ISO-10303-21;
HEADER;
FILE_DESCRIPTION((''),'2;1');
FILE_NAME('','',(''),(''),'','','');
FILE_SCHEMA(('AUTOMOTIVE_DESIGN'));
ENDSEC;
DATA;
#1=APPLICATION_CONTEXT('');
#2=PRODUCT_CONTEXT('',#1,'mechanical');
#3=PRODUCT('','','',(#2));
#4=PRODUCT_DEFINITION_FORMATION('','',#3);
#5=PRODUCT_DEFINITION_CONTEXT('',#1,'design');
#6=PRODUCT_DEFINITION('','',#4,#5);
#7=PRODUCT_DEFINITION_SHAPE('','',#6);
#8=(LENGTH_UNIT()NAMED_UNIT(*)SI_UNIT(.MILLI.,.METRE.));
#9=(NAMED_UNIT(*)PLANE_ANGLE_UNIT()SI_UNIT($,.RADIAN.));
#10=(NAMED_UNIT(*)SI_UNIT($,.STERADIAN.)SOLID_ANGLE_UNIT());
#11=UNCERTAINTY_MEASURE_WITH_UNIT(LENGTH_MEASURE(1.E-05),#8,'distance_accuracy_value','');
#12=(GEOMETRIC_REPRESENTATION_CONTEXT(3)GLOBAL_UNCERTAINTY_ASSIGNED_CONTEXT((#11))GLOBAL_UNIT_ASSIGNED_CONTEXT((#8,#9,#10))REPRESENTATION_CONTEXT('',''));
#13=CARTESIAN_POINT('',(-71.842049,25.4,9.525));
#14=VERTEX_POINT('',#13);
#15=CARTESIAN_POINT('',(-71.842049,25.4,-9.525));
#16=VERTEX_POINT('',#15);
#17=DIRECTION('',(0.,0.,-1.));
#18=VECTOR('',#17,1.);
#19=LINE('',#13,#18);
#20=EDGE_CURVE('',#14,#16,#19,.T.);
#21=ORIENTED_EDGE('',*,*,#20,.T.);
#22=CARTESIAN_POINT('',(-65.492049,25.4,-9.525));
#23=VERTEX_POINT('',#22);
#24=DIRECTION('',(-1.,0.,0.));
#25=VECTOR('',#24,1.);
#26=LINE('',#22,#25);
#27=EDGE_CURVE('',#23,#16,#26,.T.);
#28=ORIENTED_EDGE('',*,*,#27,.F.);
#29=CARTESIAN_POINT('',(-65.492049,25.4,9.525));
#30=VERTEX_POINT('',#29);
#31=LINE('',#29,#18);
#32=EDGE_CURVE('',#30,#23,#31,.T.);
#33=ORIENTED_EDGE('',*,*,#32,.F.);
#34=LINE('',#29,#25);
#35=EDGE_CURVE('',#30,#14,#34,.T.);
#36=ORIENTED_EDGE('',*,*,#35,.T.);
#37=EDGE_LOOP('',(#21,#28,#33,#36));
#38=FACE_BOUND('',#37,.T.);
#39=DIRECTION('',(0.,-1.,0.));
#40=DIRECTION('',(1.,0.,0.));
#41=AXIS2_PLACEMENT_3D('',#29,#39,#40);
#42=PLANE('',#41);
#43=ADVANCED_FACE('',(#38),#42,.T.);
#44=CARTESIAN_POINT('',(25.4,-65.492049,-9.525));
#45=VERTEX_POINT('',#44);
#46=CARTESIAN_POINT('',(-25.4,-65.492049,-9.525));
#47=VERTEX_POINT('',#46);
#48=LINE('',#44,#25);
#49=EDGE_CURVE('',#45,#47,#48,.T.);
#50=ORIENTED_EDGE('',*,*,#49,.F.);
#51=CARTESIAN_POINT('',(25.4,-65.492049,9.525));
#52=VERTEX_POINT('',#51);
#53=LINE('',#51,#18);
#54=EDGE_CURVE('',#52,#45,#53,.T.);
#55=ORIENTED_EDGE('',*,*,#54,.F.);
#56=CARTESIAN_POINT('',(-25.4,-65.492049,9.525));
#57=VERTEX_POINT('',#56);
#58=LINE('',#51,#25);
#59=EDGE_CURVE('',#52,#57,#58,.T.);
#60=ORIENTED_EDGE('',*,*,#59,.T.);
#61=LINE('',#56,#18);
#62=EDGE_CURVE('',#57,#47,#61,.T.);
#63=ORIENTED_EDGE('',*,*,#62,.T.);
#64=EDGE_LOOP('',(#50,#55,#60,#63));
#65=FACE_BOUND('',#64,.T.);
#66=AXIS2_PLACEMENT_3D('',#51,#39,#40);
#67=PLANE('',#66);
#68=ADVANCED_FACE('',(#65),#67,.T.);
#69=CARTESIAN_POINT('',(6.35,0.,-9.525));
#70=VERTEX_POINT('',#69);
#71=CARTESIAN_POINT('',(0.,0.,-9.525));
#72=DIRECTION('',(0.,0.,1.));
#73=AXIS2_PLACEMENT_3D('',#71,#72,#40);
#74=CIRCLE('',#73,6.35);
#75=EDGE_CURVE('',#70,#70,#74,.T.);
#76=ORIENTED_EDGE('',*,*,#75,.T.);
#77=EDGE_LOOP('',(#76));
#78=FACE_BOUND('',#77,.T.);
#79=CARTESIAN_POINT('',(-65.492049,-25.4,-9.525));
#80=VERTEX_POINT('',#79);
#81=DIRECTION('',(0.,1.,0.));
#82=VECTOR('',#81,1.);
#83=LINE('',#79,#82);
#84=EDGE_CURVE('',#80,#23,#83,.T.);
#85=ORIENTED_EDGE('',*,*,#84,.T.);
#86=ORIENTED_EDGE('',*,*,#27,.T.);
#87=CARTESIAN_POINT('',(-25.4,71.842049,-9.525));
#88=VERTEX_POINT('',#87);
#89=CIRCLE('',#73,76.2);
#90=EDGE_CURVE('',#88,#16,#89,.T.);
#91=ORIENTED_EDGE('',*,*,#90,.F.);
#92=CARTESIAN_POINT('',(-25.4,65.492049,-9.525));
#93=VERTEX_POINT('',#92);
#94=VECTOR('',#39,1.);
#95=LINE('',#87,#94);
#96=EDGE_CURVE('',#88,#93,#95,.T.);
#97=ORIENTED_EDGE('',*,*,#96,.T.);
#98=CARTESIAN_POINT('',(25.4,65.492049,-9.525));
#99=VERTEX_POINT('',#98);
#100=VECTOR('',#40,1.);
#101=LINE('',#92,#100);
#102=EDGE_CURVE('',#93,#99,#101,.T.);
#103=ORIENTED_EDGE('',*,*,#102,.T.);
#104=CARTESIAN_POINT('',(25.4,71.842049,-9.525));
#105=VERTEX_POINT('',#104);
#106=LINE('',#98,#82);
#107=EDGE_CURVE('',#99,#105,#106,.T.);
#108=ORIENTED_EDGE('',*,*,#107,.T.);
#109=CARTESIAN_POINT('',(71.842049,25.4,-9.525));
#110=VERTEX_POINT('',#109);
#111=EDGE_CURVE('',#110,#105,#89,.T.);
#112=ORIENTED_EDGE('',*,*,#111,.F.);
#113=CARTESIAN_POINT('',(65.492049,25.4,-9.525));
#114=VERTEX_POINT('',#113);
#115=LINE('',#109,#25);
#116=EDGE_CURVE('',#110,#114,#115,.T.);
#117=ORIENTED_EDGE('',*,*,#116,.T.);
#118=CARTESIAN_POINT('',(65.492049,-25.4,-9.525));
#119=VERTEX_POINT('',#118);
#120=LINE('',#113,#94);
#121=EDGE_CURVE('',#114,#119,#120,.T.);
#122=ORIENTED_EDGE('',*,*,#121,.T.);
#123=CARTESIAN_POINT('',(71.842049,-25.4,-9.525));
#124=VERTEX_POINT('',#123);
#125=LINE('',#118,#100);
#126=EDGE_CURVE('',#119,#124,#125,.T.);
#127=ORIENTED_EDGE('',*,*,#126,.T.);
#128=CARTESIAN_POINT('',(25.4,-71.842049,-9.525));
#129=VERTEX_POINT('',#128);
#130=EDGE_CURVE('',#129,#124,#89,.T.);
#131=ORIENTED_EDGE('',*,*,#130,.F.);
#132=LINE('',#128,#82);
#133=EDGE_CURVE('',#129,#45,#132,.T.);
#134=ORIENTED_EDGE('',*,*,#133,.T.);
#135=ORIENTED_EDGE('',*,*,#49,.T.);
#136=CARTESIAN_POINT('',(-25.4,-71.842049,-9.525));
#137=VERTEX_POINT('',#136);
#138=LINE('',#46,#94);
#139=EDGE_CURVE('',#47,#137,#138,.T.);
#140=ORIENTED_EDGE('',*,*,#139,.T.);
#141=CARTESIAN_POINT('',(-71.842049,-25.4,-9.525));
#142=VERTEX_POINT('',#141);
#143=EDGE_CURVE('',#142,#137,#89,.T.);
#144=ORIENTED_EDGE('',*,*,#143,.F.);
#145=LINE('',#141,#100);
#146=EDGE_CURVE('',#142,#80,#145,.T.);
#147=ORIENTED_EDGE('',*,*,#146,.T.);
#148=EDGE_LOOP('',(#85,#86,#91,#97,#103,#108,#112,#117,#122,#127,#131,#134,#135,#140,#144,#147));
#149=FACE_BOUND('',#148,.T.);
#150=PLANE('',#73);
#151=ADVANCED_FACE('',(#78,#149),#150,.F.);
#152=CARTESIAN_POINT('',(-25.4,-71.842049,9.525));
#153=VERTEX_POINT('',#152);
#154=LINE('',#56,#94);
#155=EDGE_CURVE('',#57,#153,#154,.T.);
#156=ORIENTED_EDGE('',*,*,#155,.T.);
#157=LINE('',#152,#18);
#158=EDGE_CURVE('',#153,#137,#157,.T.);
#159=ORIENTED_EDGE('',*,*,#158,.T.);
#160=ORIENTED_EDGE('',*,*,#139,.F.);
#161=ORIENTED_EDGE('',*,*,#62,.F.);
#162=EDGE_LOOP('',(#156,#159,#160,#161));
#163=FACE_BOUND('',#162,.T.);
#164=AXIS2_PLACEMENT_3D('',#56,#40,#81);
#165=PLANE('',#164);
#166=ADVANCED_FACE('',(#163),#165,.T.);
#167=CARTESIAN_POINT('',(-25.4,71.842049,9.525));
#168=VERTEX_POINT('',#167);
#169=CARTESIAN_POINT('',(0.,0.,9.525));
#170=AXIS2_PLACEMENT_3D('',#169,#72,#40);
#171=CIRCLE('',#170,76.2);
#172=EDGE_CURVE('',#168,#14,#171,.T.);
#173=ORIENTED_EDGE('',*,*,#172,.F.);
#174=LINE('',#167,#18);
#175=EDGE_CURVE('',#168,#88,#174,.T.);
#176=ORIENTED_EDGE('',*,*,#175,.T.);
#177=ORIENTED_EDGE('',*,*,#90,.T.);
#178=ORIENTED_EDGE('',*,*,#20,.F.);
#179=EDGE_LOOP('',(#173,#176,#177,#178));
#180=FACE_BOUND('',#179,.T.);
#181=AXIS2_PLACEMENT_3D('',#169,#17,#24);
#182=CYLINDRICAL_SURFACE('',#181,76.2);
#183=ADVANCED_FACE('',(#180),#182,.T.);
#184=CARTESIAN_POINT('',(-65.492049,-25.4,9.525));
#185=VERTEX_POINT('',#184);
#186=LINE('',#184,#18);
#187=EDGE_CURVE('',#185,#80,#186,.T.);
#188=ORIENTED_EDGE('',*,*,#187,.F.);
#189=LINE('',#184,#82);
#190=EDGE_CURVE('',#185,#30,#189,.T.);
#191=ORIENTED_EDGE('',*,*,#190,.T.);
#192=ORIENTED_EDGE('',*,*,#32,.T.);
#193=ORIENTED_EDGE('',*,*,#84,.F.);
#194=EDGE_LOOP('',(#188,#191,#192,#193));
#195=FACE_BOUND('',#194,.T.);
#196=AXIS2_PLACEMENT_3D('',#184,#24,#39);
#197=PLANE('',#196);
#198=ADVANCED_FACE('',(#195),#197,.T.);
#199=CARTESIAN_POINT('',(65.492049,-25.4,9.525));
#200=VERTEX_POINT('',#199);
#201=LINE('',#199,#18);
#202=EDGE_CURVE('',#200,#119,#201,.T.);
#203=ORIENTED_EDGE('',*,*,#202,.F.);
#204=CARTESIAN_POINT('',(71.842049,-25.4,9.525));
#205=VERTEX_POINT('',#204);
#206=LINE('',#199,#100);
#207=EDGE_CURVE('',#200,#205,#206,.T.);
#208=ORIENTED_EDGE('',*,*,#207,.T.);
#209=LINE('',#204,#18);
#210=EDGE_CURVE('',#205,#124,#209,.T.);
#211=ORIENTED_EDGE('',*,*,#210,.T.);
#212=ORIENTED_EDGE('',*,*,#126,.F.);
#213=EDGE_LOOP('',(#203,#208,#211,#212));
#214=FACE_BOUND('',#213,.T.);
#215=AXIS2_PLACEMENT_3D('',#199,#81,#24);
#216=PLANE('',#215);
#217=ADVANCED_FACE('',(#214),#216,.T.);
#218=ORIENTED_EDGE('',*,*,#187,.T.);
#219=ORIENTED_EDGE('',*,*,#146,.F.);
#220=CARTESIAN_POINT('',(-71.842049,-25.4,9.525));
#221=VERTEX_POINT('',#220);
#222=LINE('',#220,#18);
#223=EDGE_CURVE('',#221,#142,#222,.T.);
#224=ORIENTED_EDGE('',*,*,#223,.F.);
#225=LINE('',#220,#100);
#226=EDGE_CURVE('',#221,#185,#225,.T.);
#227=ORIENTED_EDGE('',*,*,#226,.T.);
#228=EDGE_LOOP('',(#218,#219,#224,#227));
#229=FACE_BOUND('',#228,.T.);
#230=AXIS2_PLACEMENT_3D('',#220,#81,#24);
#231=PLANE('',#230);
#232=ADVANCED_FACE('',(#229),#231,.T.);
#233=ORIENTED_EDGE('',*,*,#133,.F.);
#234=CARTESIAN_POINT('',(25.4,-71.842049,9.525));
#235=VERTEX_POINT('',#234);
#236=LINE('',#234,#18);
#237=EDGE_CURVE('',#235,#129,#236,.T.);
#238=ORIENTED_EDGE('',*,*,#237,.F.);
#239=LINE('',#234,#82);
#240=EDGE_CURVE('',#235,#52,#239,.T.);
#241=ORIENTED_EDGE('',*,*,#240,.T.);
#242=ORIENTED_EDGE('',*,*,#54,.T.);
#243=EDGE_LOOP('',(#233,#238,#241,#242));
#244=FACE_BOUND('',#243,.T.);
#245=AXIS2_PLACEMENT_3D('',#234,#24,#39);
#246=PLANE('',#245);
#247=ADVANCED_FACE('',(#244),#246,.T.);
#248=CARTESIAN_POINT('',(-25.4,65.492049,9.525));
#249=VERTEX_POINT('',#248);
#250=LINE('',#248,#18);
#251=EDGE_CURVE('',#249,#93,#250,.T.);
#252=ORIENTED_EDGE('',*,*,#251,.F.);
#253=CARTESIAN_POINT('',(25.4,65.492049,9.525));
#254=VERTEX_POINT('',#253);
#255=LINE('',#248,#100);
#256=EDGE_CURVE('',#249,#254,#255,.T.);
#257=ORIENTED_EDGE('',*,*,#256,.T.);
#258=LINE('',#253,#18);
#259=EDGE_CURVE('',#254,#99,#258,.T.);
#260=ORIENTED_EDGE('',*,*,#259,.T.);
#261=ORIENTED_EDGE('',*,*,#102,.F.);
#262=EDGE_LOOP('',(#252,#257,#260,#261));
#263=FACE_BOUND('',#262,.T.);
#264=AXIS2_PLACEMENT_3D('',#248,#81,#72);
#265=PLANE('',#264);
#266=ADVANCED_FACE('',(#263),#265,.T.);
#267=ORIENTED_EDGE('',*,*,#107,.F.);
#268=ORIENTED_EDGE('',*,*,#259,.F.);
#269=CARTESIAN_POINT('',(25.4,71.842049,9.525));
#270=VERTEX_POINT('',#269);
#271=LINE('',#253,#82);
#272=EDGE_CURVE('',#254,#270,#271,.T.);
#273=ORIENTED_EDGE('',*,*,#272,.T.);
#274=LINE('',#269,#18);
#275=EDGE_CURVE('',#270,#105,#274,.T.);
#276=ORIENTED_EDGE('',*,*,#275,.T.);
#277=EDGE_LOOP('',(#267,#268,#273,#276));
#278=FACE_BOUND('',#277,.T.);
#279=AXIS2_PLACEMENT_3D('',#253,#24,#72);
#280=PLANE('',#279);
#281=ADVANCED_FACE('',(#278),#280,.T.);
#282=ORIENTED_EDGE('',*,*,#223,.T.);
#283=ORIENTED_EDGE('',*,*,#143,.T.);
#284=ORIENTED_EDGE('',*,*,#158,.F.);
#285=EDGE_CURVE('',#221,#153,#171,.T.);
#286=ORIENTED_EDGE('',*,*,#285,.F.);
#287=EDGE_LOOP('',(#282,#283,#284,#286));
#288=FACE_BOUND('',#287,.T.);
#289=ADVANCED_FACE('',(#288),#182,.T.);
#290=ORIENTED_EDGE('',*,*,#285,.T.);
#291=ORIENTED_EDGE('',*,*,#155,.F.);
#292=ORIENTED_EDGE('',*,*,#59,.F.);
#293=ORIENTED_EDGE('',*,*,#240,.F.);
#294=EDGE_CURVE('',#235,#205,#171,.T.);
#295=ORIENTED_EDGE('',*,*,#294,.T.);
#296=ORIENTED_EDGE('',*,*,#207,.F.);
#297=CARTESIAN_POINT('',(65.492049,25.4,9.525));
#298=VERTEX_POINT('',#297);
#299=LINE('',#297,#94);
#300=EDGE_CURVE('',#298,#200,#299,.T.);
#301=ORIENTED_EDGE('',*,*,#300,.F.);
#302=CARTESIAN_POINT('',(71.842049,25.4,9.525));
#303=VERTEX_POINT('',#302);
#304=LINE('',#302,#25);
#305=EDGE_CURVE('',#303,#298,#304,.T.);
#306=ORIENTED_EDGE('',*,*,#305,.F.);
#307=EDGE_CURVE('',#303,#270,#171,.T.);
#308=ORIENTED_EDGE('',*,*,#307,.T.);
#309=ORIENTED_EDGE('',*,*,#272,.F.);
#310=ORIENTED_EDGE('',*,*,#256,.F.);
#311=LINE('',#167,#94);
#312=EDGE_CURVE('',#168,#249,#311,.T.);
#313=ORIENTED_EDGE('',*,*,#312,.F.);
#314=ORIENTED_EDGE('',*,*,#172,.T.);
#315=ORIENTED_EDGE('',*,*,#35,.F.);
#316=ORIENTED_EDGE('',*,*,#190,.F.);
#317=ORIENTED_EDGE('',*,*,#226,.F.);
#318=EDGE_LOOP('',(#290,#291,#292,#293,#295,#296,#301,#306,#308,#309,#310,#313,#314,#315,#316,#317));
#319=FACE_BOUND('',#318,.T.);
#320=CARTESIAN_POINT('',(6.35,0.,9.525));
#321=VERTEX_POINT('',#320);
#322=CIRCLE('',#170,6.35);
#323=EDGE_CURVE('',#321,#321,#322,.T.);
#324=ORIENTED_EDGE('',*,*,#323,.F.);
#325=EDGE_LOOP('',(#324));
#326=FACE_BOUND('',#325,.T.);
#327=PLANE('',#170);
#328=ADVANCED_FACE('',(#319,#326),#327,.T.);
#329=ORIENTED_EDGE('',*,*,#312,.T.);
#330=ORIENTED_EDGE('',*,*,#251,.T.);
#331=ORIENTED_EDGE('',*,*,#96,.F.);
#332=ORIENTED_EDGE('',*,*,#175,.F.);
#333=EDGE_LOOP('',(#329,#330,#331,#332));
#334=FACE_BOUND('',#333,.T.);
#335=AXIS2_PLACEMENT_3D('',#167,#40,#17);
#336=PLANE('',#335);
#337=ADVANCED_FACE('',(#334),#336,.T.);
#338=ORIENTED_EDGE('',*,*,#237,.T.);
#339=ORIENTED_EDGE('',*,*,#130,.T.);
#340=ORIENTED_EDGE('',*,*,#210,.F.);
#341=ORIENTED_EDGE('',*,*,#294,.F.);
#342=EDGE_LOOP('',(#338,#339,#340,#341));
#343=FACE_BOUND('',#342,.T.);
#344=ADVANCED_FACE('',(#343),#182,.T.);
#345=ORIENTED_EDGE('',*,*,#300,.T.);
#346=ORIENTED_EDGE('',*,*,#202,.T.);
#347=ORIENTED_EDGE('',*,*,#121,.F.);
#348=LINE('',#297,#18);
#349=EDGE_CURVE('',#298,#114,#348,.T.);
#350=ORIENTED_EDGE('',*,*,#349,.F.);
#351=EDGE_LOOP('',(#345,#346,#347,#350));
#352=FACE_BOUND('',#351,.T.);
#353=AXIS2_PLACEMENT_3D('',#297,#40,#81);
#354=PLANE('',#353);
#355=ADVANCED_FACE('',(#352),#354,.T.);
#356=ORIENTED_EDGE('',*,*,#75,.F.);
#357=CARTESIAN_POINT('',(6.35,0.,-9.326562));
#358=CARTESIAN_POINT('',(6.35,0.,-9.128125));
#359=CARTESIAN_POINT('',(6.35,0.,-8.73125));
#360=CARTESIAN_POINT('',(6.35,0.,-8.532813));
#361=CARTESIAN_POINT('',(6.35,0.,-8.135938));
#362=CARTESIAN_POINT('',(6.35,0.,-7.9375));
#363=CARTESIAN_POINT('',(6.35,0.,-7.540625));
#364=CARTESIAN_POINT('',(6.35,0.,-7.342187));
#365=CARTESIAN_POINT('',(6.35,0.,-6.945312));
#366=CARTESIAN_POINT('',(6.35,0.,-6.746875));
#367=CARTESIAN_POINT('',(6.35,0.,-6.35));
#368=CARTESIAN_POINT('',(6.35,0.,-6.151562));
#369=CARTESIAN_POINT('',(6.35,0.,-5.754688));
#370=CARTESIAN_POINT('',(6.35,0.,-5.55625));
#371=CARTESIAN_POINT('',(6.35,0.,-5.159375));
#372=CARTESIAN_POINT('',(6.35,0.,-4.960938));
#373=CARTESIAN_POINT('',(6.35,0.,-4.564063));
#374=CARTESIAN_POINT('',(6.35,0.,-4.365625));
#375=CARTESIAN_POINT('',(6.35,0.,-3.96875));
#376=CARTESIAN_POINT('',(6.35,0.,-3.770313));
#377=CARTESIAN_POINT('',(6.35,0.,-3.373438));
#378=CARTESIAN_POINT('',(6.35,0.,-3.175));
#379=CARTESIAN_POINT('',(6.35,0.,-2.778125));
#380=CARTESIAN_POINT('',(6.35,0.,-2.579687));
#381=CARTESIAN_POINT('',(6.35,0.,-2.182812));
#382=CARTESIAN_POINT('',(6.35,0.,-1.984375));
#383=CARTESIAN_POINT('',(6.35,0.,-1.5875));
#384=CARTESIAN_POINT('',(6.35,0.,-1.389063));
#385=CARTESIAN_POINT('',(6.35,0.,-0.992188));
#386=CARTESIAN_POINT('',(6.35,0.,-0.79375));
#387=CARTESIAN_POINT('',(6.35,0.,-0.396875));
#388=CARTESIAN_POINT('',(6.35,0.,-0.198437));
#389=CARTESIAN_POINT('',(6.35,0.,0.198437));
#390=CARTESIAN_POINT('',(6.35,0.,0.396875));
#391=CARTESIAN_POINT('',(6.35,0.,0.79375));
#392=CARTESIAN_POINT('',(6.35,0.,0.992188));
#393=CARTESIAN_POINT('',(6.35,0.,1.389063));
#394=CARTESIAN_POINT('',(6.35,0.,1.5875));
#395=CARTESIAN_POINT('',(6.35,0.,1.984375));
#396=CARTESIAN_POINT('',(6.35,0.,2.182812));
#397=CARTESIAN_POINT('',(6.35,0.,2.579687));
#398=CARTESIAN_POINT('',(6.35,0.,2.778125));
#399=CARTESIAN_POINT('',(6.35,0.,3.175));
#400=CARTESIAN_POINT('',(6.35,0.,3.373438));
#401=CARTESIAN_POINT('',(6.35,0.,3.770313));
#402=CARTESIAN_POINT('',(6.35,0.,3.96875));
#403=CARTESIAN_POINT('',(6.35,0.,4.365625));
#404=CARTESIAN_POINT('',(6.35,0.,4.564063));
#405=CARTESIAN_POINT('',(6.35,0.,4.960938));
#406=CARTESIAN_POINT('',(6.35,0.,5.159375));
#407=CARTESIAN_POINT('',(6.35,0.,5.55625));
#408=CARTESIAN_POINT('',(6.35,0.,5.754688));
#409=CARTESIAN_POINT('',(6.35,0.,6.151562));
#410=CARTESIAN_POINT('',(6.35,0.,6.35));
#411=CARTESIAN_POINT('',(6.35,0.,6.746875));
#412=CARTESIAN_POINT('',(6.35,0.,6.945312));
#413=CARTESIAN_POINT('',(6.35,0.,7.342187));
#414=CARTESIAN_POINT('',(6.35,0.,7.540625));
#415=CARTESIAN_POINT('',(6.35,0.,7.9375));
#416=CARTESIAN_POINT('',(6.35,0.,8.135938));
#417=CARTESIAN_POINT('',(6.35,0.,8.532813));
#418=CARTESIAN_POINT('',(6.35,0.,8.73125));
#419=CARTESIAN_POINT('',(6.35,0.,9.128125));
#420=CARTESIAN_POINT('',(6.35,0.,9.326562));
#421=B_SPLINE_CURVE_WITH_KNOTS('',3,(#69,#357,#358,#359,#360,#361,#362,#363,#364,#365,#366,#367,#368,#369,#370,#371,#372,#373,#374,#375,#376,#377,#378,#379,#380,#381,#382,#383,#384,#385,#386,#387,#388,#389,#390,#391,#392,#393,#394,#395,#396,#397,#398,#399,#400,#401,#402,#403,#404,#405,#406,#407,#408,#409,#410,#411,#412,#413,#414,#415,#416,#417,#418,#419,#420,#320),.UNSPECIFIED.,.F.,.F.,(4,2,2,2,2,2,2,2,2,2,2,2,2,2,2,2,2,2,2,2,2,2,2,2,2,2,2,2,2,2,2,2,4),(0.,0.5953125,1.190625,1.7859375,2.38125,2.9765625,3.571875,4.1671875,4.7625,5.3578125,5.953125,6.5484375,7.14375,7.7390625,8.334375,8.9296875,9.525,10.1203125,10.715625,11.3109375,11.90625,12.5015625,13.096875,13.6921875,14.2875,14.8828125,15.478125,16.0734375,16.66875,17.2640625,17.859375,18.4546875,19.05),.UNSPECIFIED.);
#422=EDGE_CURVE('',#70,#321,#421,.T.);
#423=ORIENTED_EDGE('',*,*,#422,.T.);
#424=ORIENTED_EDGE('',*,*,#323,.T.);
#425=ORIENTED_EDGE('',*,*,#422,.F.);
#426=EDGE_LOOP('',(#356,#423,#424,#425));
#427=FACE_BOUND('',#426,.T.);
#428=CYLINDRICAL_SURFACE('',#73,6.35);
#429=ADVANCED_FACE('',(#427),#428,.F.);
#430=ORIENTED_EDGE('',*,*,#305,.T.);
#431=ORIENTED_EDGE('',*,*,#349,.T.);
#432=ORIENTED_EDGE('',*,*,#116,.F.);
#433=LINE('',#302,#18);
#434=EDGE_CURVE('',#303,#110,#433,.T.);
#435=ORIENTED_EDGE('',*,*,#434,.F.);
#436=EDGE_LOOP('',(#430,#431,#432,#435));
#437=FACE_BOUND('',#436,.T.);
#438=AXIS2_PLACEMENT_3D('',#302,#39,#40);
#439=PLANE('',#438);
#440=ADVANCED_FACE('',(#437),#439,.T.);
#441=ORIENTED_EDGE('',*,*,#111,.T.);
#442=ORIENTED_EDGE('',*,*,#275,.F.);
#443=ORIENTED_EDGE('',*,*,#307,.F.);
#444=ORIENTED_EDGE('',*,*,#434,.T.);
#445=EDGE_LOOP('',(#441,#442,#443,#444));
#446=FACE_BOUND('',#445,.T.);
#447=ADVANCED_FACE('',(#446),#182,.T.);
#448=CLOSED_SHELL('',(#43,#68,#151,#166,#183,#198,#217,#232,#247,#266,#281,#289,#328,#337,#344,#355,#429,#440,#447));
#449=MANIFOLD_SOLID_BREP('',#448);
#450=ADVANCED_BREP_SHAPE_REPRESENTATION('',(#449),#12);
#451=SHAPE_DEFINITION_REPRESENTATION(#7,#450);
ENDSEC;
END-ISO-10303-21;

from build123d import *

# Parameters (mm, degrees)
BOSS_EXTRUDE2_DEPTH = 9.525
SKETCH3_R           = 6.35
CUT_EXTRUDE2_DEPTH  = 19.05


with BuildPart() as part:
    # Sketch1 → Boss-Extrude2 (new, symmetric)
    with BuildSketch(Plane.XY):
        with BuildLine():
            Line((-25.4, 71.842048969), (-25.4, 65.492048969))
            Line((-25.4, 65.492048969), (25.4, 65.492048969))
            Line((25.4, 65.492048969), (25.4, 71.842048969))
            ThreePointArc((25.4, 71.842048969), (53.881536726, 53.881536726), (71.842048969, 25.4))
            Line((71.842048969, 25.4), (65.492048969, 25.4))
            Line((65.492048969, 25.4), (65.492048969, -25.4))
            Line((65.492048969, -25.4), (71.842048969, -25.4))
            ThreePointArc((71.842048969, -25.4), (53.881536726, -53.881536726), (25.4, -71.842048969))
            Line((25.4, -71.842048969), (25.4, -65.492048969))
            Line((25.4, -65.492048969), (-25.4, -65.492048969))
            Line((-25.4, -65.492048969), (-25.4, -71.842048969))
            ThreePointArc((-25.4, -71.842048969), (-53.881536726, -53.881536726), (-71.842048969, -25.4))
            Line((-71.842048969, -25.4), (-65.492048969, -25.4))
            Line((-65.492048969, -25.4), (-65.492048969, 25.4))
            Line((-65.492048969, 25.4), (-71.842048969, 25.4))
            ThreePointArc((-71.842048969, 25.4), (-53.881536726, 53.881536726), (-25.4, 71.842048969))
        make_face()
    extrude(amount=BOSS_EXTRUDE2_DEPTH, both=True)

    # Sketch3 → Cut-Extrude2 (cut)
    with BuildSketch(Plane.XY.offset(9.525)):
        Circle(SKETCH3_R)
    extrude(amount=-CUT_EXTRUDE2_DEPTH, mode=Mode.SUBTRACT)


solid = part.part
